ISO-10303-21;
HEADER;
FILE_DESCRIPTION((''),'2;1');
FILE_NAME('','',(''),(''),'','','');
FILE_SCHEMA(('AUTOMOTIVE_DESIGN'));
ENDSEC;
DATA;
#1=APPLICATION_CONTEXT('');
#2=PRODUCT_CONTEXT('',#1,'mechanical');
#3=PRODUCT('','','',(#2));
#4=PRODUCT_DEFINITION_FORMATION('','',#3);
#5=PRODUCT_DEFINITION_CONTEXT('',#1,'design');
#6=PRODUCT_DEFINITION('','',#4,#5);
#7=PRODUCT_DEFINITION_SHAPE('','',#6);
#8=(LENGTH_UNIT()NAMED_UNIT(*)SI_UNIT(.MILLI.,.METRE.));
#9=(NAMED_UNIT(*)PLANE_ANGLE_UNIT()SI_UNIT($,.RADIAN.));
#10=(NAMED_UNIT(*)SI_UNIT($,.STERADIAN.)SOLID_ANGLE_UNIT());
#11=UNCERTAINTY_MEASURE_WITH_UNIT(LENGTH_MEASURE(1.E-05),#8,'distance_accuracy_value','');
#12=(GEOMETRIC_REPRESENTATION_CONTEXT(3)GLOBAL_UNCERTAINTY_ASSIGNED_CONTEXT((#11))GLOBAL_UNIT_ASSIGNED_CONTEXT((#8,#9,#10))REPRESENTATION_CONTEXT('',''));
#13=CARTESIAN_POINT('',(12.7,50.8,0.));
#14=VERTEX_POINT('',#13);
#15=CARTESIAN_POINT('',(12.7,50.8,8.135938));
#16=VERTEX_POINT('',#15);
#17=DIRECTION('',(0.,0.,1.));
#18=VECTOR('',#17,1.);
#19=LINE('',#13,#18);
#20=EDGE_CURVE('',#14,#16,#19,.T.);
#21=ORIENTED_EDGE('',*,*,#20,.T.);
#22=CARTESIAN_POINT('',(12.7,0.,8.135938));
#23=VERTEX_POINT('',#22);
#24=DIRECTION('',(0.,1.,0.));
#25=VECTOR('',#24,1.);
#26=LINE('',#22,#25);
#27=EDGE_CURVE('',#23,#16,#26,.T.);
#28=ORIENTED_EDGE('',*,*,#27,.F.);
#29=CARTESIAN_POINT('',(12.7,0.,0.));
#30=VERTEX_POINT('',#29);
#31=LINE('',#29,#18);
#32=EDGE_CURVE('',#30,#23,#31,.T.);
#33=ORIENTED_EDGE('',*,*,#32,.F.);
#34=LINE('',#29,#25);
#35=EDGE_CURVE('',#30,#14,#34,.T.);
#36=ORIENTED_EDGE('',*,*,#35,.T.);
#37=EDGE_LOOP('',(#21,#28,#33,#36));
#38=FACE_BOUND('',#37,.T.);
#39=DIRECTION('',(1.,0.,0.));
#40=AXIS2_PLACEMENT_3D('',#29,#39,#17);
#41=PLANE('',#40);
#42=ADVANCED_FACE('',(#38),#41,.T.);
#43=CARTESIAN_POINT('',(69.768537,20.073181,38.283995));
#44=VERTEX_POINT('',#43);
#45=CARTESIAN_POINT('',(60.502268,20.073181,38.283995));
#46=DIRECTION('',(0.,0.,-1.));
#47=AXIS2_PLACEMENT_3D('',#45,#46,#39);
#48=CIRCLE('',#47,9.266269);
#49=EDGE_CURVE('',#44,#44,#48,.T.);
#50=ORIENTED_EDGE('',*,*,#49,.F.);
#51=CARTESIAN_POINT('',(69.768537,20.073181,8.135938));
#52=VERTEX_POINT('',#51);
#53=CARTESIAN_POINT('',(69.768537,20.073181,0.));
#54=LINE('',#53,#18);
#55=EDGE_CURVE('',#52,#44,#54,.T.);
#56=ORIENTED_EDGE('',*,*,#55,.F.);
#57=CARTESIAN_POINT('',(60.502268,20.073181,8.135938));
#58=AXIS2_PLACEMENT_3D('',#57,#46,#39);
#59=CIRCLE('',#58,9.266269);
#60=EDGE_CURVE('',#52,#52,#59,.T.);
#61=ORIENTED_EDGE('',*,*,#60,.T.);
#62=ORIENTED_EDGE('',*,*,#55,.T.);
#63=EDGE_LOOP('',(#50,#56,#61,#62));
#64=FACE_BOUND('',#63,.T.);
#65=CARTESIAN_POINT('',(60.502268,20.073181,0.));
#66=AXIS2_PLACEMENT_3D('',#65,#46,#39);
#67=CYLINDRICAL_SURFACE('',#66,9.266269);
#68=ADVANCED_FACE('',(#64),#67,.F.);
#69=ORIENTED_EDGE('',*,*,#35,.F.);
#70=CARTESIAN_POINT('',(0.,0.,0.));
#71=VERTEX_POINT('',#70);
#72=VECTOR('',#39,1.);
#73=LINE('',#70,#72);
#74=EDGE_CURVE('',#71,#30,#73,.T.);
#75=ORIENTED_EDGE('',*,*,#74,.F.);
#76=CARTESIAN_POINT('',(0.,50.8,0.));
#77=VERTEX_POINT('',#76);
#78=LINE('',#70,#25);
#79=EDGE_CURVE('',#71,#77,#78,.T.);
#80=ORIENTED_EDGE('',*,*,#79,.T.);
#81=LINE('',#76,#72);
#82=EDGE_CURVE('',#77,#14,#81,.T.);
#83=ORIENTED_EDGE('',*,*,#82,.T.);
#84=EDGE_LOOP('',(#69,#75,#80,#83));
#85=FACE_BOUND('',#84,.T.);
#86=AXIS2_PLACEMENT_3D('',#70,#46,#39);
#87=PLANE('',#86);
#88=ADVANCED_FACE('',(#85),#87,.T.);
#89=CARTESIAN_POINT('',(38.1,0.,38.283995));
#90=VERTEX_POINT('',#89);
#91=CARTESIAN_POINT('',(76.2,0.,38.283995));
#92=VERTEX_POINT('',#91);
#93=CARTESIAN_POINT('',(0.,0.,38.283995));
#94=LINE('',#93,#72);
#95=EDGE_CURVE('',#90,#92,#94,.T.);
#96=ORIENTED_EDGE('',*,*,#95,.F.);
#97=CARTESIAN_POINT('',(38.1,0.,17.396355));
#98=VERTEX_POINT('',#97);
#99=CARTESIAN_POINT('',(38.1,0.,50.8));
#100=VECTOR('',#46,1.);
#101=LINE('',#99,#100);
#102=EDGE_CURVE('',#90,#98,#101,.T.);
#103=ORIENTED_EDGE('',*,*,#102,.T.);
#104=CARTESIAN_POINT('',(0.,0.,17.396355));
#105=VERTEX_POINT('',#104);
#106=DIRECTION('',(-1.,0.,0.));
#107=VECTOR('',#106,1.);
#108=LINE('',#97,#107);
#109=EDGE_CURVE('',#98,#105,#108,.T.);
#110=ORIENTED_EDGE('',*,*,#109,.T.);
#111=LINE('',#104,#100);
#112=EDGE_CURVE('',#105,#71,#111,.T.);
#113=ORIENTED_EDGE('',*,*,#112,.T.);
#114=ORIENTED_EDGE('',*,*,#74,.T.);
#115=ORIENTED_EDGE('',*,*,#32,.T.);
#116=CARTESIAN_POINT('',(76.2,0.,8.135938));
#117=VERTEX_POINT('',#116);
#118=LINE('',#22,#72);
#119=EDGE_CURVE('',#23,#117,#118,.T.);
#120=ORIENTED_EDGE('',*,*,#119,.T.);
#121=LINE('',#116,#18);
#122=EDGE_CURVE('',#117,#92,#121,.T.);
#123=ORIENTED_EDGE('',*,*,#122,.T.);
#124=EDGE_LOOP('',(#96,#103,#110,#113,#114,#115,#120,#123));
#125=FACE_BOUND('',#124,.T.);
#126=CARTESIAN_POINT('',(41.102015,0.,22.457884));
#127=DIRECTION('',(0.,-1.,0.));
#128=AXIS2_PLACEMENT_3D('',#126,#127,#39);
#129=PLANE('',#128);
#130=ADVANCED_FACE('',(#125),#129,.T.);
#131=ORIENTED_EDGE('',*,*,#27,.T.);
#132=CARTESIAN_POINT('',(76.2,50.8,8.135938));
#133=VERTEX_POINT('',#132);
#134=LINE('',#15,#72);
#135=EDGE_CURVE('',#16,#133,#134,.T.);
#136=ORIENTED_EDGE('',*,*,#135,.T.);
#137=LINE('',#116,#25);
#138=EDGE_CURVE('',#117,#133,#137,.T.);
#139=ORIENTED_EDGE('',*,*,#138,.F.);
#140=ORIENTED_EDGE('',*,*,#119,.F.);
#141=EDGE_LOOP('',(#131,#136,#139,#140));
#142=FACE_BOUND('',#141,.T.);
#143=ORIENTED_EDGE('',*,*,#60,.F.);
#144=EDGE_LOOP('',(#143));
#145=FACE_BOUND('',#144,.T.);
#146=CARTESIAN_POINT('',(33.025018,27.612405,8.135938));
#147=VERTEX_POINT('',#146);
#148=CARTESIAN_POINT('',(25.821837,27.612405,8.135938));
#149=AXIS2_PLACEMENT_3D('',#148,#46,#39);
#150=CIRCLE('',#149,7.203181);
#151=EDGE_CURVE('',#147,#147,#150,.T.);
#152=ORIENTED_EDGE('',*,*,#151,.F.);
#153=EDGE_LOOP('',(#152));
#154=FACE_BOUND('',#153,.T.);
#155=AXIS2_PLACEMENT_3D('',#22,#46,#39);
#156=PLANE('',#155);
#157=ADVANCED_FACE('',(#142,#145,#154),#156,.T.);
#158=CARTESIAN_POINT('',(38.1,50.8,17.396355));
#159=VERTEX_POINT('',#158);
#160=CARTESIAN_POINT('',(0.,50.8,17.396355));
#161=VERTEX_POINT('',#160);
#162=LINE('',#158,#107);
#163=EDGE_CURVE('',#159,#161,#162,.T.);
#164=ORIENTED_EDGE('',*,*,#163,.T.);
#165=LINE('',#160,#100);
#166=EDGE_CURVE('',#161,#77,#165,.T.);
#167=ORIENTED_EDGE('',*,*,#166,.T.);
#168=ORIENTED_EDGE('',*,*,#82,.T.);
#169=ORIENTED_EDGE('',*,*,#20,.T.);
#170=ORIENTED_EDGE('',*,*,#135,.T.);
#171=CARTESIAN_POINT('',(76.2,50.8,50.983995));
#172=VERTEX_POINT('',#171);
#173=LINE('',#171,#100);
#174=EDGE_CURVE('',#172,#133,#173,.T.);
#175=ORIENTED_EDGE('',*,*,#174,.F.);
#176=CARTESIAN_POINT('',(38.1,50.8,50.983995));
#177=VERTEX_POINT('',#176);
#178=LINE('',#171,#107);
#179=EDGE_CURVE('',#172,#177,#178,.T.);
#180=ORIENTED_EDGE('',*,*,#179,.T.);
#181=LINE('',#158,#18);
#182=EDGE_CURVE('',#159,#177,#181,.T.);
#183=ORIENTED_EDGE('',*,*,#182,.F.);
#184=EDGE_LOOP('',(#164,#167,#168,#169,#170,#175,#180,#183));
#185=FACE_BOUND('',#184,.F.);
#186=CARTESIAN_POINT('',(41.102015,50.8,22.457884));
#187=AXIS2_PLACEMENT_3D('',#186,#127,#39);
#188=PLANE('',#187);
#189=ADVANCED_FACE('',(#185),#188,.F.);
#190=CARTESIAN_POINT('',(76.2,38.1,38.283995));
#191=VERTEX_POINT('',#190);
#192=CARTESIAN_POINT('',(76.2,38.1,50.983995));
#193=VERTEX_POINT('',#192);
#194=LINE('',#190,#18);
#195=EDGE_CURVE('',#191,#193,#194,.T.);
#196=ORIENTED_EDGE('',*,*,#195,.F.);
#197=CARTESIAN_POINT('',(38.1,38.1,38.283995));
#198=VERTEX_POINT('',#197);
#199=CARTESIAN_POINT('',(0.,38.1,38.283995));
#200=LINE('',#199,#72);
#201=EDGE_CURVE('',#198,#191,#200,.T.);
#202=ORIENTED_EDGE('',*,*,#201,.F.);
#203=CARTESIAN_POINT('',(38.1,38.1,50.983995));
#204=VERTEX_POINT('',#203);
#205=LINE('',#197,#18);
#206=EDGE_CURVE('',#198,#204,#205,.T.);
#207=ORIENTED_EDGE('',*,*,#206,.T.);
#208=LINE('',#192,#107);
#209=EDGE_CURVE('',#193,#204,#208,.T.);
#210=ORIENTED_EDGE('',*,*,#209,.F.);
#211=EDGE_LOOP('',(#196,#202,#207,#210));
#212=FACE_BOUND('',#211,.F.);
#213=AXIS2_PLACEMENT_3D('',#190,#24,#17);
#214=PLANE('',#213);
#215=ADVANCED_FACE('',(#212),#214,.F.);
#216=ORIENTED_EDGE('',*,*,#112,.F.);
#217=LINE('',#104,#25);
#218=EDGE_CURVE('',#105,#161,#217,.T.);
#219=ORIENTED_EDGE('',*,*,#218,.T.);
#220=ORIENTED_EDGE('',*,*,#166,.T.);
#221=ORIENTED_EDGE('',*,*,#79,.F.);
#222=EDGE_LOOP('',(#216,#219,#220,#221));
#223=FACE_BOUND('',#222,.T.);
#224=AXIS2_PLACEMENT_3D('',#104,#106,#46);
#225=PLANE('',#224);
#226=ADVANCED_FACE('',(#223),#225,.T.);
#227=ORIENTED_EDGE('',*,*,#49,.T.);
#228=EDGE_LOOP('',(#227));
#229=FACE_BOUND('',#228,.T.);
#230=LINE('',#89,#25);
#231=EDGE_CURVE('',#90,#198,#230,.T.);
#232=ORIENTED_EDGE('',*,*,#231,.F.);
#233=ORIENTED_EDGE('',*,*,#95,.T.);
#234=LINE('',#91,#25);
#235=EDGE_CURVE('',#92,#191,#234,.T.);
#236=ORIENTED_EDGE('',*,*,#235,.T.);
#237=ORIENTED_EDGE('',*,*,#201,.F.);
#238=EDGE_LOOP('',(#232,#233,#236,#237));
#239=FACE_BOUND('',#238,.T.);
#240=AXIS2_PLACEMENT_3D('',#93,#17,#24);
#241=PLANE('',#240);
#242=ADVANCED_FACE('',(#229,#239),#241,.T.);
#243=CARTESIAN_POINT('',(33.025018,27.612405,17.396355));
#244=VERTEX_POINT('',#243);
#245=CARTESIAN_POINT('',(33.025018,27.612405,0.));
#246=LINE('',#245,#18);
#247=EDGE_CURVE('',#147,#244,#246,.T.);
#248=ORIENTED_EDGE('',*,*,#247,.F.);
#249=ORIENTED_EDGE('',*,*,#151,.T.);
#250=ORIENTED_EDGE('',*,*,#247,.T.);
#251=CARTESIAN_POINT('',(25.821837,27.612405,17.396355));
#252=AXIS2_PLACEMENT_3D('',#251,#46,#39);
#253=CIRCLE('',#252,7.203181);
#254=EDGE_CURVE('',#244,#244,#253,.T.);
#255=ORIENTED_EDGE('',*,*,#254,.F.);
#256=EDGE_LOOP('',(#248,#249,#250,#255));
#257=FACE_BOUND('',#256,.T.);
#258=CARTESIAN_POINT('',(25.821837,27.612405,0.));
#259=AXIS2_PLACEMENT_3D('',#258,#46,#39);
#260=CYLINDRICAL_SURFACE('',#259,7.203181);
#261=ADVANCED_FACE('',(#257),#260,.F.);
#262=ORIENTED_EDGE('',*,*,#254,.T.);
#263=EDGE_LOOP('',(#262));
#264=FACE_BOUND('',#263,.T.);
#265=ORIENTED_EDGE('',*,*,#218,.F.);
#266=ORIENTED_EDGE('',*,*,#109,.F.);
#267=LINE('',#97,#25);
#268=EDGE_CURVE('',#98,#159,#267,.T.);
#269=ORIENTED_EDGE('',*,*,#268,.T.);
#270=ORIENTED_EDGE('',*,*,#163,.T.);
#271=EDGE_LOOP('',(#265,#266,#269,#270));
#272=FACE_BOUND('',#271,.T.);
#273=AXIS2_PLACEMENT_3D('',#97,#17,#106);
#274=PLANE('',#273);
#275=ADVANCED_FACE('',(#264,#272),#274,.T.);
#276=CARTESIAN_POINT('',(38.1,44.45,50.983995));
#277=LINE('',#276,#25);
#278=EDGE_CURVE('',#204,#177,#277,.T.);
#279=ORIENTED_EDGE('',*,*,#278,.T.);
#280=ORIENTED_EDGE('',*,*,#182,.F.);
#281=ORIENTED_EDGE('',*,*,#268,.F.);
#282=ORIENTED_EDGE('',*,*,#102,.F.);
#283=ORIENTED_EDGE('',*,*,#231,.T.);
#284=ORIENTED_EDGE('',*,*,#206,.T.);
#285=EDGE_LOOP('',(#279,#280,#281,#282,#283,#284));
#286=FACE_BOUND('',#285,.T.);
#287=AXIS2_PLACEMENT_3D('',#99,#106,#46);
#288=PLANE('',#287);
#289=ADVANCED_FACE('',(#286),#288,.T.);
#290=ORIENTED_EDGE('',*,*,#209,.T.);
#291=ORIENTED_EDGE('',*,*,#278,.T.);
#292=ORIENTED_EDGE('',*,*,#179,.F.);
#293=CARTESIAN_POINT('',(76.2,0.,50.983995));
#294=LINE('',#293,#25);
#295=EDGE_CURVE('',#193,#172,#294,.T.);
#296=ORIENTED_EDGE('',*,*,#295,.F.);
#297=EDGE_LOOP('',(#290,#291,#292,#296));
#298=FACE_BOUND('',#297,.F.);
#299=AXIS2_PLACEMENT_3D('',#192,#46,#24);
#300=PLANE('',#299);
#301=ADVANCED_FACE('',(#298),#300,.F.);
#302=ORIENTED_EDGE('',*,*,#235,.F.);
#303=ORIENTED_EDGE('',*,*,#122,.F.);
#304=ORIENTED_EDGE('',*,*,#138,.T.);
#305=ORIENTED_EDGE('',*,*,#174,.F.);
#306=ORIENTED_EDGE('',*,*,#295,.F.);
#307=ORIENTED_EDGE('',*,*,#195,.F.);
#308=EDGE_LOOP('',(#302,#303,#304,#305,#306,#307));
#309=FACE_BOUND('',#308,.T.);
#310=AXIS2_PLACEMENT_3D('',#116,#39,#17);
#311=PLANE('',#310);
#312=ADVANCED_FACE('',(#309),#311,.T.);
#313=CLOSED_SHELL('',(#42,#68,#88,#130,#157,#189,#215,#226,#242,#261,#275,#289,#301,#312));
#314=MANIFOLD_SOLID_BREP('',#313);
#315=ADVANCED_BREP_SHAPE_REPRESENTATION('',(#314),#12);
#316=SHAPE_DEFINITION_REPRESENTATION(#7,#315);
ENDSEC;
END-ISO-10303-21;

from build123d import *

# Parameters (mm, degrees)
F2_DEPTH = 50.8
F1_R     = 7.203181
F1_R_2   = 9.266269
F3_DEPTH = 88.9
F4_W     = 12.7
F4_H     = 12.7
F5_DEPTH = 38.1
F7_DEPTH = 76.2


with BuildPart() as f2:
    # F0 (on Front) → F2 (new body)
    with BuildSketch(Plane.XZ):
        Polygon((0, 0), (12.7, 0), (12.7, 8.135938), (76.2, 8.135938), (76.2, 50.983995), (38.1, 50.8), (38.1, 17.396355), (0, 17.396355), align=None)
    extrude(amount=-F2_DEPTH)

    # F1 (on Top) → F3 (cut)
    with BuildSketch(Plane.XY):
        with Locations((25.821837, 27.612405)):
            Circle(F1_R)
        with Locations((60.502268, 20.073181)):
            Circle(F1_R_2)
    extrude(amount=F3_DEPTH, mode=Mode.SUBTRACT)

    # F4 (on face) → F5 (join)
    with BuildSketch(Plane.YZ.offset(76.2)):
        with Locations((44.45, 44.633995)):
            Rectangle(F4_W, F4_H)
    extrude(amount=-F5_DEPTH)

    # F6 (on Right) → F7 (cut)
    with BuildSketch(Plane.YZ):
        Polygon((38.1, 51.342876), (0, 50.983995), (0, 38.283995), (38.1, 38.283995), align=None)
    extrude(amount=F7_DEPTH, mode=Mode.SUBTRACT)


solid = f2.part
